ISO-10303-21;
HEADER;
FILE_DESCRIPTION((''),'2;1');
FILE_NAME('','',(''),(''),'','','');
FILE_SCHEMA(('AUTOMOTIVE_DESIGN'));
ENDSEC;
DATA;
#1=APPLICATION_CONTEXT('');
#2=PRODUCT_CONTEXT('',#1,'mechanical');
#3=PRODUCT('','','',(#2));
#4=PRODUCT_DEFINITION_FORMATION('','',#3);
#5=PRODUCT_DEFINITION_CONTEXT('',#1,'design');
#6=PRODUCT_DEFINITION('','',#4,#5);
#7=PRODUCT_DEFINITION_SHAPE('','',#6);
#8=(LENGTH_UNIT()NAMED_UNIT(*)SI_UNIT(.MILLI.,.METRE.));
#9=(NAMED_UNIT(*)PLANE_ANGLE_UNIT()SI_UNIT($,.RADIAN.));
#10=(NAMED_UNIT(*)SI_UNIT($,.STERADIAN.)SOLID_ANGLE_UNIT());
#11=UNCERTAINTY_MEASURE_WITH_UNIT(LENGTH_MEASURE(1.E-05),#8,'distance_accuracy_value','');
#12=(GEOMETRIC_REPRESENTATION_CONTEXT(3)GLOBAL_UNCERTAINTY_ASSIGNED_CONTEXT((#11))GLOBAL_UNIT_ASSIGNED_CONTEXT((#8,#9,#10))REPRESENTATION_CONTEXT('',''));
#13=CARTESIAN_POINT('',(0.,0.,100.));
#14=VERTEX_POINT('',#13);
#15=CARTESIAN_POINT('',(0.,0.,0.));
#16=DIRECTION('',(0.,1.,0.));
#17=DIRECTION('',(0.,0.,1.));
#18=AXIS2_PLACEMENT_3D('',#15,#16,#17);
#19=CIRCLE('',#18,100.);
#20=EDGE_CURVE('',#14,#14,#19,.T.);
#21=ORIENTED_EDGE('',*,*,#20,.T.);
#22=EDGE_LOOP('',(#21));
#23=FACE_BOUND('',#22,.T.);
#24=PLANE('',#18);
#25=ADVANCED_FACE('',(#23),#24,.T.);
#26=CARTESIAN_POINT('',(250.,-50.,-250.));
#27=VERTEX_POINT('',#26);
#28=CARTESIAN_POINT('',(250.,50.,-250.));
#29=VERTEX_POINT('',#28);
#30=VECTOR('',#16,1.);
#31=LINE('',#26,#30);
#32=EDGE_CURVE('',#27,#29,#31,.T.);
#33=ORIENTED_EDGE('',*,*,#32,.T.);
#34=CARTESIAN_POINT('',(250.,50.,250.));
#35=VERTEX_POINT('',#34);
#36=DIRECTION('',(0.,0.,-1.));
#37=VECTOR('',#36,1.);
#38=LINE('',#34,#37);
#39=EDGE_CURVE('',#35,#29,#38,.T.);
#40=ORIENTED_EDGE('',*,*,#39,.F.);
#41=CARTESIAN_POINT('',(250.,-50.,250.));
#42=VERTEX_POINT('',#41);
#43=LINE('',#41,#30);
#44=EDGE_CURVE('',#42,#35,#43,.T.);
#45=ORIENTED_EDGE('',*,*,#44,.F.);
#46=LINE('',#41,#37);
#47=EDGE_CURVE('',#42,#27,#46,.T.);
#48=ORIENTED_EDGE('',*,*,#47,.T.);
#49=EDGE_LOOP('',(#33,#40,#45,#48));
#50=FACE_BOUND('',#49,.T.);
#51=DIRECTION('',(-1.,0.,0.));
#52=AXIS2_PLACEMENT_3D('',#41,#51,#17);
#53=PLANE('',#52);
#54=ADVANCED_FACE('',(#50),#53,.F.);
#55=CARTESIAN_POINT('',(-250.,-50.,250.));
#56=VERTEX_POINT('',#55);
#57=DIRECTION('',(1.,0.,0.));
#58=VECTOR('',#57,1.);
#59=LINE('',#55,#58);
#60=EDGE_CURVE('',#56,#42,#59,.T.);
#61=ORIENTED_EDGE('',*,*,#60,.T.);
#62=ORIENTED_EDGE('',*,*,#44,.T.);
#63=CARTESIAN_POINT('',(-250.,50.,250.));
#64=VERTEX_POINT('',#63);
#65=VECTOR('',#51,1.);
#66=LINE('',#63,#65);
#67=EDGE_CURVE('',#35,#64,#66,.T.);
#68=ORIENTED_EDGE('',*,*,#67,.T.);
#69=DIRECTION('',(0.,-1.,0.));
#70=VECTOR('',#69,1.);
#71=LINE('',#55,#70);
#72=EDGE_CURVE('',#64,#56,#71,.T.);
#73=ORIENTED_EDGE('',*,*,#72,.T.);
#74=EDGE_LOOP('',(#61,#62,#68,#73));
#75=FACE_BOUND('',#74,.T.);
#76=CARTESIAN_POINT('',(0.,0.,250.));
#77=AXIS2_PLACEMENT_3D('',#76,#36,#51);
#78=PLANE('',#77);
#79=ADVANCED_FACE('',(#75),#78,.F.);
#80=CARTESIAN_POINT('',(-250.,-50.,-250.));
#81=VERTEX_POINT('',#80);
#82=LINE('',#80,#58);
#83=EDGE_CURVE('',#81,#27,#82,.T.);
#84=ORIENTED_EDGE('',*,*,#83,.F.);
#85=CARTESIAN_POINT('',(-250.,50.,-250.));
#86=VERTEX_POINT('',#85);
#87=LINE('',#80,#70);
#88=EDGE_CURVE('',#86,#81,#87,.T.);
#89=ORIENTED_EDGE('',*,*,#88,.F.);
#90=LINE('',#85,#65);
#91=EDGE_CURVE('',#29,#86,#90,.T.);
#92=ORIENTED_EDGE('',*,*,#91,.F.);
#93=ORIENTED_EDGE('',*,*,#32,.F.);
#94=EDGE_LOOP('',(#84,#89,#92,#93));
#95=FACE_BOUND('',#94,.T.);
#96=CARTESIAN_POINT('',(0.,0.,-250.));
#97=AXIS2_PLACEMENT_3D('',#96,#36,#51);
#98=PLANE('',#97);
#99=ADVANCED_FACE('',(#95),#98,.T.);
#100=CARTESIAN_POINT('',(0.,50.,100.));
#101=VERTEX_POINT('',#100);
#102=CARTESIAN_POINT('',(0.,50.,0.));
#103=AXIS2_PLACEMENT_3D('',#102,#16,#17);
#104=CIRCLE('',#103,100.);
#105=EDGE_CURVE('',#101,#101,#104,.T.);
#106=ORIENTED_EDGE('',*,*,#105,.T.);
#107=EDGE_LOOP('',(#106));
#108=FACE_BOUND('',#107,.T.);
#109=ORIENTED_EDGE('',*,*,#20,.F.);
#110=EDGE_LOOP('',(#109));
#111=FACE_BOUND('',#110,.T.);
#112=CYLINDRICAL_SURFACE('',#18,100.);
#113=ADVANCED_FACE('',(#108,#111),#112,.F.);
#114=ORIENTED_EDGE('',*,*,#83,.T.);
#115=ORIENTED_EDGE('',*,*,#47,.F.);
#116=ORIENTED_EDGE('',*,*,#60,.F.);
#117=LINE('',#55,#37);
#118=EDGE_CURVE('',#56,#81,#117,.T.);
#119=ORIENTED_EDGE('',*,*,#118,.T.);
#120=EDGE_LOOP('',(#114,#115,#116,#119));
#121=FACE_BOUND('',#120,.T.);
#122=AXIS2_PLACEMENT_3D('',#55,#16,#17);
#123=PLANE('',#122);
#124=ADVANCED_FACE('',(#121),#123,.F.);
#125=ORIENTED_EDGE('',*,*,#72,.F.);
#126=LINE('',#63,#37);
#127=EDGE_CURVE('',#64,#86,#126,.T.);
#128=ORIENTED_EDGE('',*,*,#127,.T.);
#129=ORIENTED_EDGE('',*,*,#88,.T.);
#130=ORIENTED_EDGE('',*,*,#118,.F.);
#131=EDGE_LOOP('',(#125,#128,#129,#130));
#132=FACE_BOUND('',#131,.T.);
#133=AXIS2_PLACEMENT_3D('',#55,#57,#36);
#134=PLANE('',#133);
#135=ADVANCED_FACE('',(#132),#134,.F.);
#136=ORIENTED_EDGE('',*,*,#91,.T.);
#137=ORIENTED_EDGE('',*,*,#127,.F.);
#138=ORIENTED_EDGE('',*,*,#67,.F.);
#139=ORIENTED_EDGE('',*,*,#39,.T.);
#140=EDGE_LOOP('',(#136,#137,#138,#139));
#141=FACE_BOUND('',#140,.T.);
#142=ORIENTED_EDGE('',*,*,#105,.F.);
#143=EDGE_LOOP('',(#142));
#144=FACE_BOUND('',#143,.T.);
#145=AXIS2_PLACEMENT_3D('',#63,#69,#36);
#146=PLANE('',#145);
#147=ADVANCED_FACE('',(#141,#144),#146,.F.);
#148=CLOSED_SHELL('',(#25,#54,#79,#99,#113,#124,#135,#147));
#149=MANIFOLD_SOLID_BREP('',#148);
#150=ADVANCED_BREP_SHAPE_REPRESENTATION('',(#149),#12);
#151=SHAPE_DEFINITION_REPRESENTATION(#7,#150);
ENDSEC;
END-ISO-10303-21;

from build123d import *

# Parameters (mm, degrees)
SKETCH_1_W          = 500
SKETCH_1_H          = 100
EXTRUDE_1_DEPTH     = 250
SKETCH_2_R          = 100
CUT_EXTRUDE_1_DEPTH = 50


with BuildPart() as part:
    # 草图1 → 凸台-拉伸1 (new body, symmetric)
    with BuildSketch(Plane.XY):
        Rectangle(SKETCH_1_W, SKETCH_1_H)
    extrude(amount=EXTRUDE_1_DEPTH, both=True)

    # 草图2 → 切除-拉伸1 (cut)
    with BuildSketch(Plane(origin=(0, 50, 0), x_dir=(1, 0, 0), z_dir=(0, 1, 0))):
        Circle(SKETCH_2_R)
    extrude(amount=-CUT_EXTRUDE_1_DEPTH, mode=Mode.SUBTRACT)


solid = part.part
